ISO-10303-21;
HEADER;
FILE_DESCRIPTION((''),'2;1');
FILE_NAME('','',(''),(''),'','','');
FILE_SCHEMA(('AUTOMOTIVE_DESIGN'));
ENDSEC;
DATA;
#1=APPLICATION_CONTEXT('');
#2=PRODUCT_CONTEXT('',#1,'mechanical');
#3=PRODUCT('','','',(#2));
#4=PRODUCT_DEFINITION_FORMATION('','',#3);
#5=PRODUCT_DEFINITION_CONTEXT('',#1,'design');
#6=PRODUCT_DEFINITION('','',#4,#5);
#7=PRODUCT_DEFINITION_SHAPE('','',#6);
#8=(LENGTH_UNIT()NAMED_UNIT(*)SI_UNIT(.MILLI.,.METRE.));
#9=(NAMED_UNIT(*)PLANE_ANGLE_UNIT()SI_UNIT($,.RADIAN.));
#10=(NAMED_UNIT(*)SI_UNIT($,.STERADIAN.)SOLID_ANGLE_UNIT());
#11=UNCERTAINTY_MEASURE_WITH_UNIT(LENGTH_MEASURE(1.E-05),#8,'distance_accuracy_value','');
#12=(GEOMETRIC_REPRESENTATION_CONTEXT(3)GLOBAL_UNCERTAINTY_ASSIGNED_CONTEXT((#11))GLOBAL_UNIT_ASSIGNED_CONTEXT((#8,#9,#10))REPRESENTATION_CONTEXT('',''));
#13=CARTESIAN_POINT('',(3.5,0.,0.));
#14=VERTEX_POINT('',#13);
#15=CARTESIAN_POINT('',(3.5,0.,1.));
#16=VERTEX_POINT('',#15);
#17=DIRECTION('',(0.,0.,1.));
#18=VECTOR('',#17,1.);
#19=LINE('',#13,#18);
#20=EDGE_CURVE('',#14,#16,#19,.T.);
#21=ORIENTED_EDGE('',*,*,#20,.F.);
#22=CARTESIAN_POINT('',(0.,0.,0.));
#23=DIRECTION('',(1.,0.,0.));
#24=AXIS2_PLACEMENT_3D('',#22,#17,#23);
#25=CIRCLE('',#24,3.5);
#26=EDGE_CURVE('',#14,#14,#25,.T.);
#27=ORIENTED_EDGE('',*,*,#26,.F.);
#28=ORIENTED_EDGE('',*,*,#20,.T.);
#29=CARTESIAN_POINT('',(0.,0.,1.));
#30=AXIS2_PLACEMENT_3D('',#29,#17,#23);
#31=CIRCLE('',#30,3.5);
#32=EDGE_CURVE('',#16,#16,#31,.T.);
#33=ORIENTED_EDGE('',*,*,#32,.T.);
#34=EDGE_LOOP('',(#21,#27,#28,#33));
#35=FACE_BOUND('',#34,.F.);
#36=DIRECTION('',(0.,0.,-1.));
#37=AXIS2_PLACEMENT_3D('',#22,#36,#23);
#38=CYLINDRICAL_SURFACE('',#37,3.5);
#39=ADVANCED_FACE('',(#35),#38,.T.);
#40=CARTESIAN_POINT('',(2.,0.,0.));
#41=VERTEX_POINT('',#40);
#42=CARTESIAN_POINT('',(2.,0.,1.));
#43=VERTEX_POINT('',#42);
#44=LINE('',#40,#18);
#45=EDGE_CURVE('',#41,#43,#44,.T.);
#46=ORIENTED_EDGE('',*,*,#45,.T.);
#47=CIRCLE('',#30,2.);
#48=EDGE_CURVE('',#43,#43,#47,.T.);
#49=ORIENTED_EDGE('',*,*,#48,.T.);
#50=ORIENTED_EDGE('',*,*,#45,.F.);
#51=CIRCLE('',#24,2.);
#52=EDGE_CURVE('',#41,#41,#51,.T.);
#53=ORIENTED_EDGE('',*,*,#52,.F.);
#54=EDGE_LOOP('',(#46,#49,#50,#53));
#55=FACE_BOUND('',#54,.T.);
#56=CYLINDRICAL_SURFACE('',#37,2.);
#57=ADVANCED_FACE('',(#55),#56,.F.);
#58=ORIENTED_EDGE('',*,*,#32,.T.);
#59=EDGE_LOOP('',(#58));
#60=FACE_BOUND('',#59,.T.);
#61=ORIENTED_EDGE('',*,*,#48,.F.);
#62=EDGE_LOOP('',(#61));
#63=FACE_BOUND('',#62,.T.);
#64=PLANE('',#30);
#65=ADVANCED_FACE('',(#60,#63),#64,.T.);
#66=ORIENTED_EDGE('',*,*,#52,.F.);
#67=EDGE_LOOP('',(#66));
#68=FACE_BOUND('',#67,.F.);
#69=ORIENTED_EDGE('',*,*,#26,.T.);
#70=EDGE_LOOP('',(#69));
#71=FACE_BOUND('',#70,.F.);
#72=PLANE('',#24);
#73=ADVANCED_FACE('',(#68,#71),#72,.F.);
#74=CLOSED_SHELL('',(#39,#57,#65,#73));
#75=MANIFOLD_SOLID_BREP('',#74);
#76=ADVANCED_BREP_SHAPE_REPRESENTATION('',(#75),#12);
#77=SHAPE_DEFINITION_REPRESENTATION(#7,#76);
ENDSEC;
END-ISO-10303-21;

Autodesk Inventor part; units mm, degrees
ref_plane "YZ Plane" through (0, 0, 0) normal (1, 0, 0) x (0, 1, 0)
ref_plane "XZ Plane" through (0, 0, 0) normal (0, 1, 0) x (-1, 0, 0)
ref_plane "XY Plane" through (0, 0, 0) normal (0, 0, 1) x (1, 0, 0)
sketch "スケッチ1" plane through (0, 0, 0) normal (0, 0, 1) x (1, 0, 0)
  circle A0 centre (0, 0) radius 2
  circle A1 centre (0, 0) radius 3.5
  dimension "d0" = 4
  dimension "d1" = 7
extrude "押し出し1" add sketch "スケッチ1" along normal blind 1
properties part number "ワッシャD7d4m1" material "真鍮"
